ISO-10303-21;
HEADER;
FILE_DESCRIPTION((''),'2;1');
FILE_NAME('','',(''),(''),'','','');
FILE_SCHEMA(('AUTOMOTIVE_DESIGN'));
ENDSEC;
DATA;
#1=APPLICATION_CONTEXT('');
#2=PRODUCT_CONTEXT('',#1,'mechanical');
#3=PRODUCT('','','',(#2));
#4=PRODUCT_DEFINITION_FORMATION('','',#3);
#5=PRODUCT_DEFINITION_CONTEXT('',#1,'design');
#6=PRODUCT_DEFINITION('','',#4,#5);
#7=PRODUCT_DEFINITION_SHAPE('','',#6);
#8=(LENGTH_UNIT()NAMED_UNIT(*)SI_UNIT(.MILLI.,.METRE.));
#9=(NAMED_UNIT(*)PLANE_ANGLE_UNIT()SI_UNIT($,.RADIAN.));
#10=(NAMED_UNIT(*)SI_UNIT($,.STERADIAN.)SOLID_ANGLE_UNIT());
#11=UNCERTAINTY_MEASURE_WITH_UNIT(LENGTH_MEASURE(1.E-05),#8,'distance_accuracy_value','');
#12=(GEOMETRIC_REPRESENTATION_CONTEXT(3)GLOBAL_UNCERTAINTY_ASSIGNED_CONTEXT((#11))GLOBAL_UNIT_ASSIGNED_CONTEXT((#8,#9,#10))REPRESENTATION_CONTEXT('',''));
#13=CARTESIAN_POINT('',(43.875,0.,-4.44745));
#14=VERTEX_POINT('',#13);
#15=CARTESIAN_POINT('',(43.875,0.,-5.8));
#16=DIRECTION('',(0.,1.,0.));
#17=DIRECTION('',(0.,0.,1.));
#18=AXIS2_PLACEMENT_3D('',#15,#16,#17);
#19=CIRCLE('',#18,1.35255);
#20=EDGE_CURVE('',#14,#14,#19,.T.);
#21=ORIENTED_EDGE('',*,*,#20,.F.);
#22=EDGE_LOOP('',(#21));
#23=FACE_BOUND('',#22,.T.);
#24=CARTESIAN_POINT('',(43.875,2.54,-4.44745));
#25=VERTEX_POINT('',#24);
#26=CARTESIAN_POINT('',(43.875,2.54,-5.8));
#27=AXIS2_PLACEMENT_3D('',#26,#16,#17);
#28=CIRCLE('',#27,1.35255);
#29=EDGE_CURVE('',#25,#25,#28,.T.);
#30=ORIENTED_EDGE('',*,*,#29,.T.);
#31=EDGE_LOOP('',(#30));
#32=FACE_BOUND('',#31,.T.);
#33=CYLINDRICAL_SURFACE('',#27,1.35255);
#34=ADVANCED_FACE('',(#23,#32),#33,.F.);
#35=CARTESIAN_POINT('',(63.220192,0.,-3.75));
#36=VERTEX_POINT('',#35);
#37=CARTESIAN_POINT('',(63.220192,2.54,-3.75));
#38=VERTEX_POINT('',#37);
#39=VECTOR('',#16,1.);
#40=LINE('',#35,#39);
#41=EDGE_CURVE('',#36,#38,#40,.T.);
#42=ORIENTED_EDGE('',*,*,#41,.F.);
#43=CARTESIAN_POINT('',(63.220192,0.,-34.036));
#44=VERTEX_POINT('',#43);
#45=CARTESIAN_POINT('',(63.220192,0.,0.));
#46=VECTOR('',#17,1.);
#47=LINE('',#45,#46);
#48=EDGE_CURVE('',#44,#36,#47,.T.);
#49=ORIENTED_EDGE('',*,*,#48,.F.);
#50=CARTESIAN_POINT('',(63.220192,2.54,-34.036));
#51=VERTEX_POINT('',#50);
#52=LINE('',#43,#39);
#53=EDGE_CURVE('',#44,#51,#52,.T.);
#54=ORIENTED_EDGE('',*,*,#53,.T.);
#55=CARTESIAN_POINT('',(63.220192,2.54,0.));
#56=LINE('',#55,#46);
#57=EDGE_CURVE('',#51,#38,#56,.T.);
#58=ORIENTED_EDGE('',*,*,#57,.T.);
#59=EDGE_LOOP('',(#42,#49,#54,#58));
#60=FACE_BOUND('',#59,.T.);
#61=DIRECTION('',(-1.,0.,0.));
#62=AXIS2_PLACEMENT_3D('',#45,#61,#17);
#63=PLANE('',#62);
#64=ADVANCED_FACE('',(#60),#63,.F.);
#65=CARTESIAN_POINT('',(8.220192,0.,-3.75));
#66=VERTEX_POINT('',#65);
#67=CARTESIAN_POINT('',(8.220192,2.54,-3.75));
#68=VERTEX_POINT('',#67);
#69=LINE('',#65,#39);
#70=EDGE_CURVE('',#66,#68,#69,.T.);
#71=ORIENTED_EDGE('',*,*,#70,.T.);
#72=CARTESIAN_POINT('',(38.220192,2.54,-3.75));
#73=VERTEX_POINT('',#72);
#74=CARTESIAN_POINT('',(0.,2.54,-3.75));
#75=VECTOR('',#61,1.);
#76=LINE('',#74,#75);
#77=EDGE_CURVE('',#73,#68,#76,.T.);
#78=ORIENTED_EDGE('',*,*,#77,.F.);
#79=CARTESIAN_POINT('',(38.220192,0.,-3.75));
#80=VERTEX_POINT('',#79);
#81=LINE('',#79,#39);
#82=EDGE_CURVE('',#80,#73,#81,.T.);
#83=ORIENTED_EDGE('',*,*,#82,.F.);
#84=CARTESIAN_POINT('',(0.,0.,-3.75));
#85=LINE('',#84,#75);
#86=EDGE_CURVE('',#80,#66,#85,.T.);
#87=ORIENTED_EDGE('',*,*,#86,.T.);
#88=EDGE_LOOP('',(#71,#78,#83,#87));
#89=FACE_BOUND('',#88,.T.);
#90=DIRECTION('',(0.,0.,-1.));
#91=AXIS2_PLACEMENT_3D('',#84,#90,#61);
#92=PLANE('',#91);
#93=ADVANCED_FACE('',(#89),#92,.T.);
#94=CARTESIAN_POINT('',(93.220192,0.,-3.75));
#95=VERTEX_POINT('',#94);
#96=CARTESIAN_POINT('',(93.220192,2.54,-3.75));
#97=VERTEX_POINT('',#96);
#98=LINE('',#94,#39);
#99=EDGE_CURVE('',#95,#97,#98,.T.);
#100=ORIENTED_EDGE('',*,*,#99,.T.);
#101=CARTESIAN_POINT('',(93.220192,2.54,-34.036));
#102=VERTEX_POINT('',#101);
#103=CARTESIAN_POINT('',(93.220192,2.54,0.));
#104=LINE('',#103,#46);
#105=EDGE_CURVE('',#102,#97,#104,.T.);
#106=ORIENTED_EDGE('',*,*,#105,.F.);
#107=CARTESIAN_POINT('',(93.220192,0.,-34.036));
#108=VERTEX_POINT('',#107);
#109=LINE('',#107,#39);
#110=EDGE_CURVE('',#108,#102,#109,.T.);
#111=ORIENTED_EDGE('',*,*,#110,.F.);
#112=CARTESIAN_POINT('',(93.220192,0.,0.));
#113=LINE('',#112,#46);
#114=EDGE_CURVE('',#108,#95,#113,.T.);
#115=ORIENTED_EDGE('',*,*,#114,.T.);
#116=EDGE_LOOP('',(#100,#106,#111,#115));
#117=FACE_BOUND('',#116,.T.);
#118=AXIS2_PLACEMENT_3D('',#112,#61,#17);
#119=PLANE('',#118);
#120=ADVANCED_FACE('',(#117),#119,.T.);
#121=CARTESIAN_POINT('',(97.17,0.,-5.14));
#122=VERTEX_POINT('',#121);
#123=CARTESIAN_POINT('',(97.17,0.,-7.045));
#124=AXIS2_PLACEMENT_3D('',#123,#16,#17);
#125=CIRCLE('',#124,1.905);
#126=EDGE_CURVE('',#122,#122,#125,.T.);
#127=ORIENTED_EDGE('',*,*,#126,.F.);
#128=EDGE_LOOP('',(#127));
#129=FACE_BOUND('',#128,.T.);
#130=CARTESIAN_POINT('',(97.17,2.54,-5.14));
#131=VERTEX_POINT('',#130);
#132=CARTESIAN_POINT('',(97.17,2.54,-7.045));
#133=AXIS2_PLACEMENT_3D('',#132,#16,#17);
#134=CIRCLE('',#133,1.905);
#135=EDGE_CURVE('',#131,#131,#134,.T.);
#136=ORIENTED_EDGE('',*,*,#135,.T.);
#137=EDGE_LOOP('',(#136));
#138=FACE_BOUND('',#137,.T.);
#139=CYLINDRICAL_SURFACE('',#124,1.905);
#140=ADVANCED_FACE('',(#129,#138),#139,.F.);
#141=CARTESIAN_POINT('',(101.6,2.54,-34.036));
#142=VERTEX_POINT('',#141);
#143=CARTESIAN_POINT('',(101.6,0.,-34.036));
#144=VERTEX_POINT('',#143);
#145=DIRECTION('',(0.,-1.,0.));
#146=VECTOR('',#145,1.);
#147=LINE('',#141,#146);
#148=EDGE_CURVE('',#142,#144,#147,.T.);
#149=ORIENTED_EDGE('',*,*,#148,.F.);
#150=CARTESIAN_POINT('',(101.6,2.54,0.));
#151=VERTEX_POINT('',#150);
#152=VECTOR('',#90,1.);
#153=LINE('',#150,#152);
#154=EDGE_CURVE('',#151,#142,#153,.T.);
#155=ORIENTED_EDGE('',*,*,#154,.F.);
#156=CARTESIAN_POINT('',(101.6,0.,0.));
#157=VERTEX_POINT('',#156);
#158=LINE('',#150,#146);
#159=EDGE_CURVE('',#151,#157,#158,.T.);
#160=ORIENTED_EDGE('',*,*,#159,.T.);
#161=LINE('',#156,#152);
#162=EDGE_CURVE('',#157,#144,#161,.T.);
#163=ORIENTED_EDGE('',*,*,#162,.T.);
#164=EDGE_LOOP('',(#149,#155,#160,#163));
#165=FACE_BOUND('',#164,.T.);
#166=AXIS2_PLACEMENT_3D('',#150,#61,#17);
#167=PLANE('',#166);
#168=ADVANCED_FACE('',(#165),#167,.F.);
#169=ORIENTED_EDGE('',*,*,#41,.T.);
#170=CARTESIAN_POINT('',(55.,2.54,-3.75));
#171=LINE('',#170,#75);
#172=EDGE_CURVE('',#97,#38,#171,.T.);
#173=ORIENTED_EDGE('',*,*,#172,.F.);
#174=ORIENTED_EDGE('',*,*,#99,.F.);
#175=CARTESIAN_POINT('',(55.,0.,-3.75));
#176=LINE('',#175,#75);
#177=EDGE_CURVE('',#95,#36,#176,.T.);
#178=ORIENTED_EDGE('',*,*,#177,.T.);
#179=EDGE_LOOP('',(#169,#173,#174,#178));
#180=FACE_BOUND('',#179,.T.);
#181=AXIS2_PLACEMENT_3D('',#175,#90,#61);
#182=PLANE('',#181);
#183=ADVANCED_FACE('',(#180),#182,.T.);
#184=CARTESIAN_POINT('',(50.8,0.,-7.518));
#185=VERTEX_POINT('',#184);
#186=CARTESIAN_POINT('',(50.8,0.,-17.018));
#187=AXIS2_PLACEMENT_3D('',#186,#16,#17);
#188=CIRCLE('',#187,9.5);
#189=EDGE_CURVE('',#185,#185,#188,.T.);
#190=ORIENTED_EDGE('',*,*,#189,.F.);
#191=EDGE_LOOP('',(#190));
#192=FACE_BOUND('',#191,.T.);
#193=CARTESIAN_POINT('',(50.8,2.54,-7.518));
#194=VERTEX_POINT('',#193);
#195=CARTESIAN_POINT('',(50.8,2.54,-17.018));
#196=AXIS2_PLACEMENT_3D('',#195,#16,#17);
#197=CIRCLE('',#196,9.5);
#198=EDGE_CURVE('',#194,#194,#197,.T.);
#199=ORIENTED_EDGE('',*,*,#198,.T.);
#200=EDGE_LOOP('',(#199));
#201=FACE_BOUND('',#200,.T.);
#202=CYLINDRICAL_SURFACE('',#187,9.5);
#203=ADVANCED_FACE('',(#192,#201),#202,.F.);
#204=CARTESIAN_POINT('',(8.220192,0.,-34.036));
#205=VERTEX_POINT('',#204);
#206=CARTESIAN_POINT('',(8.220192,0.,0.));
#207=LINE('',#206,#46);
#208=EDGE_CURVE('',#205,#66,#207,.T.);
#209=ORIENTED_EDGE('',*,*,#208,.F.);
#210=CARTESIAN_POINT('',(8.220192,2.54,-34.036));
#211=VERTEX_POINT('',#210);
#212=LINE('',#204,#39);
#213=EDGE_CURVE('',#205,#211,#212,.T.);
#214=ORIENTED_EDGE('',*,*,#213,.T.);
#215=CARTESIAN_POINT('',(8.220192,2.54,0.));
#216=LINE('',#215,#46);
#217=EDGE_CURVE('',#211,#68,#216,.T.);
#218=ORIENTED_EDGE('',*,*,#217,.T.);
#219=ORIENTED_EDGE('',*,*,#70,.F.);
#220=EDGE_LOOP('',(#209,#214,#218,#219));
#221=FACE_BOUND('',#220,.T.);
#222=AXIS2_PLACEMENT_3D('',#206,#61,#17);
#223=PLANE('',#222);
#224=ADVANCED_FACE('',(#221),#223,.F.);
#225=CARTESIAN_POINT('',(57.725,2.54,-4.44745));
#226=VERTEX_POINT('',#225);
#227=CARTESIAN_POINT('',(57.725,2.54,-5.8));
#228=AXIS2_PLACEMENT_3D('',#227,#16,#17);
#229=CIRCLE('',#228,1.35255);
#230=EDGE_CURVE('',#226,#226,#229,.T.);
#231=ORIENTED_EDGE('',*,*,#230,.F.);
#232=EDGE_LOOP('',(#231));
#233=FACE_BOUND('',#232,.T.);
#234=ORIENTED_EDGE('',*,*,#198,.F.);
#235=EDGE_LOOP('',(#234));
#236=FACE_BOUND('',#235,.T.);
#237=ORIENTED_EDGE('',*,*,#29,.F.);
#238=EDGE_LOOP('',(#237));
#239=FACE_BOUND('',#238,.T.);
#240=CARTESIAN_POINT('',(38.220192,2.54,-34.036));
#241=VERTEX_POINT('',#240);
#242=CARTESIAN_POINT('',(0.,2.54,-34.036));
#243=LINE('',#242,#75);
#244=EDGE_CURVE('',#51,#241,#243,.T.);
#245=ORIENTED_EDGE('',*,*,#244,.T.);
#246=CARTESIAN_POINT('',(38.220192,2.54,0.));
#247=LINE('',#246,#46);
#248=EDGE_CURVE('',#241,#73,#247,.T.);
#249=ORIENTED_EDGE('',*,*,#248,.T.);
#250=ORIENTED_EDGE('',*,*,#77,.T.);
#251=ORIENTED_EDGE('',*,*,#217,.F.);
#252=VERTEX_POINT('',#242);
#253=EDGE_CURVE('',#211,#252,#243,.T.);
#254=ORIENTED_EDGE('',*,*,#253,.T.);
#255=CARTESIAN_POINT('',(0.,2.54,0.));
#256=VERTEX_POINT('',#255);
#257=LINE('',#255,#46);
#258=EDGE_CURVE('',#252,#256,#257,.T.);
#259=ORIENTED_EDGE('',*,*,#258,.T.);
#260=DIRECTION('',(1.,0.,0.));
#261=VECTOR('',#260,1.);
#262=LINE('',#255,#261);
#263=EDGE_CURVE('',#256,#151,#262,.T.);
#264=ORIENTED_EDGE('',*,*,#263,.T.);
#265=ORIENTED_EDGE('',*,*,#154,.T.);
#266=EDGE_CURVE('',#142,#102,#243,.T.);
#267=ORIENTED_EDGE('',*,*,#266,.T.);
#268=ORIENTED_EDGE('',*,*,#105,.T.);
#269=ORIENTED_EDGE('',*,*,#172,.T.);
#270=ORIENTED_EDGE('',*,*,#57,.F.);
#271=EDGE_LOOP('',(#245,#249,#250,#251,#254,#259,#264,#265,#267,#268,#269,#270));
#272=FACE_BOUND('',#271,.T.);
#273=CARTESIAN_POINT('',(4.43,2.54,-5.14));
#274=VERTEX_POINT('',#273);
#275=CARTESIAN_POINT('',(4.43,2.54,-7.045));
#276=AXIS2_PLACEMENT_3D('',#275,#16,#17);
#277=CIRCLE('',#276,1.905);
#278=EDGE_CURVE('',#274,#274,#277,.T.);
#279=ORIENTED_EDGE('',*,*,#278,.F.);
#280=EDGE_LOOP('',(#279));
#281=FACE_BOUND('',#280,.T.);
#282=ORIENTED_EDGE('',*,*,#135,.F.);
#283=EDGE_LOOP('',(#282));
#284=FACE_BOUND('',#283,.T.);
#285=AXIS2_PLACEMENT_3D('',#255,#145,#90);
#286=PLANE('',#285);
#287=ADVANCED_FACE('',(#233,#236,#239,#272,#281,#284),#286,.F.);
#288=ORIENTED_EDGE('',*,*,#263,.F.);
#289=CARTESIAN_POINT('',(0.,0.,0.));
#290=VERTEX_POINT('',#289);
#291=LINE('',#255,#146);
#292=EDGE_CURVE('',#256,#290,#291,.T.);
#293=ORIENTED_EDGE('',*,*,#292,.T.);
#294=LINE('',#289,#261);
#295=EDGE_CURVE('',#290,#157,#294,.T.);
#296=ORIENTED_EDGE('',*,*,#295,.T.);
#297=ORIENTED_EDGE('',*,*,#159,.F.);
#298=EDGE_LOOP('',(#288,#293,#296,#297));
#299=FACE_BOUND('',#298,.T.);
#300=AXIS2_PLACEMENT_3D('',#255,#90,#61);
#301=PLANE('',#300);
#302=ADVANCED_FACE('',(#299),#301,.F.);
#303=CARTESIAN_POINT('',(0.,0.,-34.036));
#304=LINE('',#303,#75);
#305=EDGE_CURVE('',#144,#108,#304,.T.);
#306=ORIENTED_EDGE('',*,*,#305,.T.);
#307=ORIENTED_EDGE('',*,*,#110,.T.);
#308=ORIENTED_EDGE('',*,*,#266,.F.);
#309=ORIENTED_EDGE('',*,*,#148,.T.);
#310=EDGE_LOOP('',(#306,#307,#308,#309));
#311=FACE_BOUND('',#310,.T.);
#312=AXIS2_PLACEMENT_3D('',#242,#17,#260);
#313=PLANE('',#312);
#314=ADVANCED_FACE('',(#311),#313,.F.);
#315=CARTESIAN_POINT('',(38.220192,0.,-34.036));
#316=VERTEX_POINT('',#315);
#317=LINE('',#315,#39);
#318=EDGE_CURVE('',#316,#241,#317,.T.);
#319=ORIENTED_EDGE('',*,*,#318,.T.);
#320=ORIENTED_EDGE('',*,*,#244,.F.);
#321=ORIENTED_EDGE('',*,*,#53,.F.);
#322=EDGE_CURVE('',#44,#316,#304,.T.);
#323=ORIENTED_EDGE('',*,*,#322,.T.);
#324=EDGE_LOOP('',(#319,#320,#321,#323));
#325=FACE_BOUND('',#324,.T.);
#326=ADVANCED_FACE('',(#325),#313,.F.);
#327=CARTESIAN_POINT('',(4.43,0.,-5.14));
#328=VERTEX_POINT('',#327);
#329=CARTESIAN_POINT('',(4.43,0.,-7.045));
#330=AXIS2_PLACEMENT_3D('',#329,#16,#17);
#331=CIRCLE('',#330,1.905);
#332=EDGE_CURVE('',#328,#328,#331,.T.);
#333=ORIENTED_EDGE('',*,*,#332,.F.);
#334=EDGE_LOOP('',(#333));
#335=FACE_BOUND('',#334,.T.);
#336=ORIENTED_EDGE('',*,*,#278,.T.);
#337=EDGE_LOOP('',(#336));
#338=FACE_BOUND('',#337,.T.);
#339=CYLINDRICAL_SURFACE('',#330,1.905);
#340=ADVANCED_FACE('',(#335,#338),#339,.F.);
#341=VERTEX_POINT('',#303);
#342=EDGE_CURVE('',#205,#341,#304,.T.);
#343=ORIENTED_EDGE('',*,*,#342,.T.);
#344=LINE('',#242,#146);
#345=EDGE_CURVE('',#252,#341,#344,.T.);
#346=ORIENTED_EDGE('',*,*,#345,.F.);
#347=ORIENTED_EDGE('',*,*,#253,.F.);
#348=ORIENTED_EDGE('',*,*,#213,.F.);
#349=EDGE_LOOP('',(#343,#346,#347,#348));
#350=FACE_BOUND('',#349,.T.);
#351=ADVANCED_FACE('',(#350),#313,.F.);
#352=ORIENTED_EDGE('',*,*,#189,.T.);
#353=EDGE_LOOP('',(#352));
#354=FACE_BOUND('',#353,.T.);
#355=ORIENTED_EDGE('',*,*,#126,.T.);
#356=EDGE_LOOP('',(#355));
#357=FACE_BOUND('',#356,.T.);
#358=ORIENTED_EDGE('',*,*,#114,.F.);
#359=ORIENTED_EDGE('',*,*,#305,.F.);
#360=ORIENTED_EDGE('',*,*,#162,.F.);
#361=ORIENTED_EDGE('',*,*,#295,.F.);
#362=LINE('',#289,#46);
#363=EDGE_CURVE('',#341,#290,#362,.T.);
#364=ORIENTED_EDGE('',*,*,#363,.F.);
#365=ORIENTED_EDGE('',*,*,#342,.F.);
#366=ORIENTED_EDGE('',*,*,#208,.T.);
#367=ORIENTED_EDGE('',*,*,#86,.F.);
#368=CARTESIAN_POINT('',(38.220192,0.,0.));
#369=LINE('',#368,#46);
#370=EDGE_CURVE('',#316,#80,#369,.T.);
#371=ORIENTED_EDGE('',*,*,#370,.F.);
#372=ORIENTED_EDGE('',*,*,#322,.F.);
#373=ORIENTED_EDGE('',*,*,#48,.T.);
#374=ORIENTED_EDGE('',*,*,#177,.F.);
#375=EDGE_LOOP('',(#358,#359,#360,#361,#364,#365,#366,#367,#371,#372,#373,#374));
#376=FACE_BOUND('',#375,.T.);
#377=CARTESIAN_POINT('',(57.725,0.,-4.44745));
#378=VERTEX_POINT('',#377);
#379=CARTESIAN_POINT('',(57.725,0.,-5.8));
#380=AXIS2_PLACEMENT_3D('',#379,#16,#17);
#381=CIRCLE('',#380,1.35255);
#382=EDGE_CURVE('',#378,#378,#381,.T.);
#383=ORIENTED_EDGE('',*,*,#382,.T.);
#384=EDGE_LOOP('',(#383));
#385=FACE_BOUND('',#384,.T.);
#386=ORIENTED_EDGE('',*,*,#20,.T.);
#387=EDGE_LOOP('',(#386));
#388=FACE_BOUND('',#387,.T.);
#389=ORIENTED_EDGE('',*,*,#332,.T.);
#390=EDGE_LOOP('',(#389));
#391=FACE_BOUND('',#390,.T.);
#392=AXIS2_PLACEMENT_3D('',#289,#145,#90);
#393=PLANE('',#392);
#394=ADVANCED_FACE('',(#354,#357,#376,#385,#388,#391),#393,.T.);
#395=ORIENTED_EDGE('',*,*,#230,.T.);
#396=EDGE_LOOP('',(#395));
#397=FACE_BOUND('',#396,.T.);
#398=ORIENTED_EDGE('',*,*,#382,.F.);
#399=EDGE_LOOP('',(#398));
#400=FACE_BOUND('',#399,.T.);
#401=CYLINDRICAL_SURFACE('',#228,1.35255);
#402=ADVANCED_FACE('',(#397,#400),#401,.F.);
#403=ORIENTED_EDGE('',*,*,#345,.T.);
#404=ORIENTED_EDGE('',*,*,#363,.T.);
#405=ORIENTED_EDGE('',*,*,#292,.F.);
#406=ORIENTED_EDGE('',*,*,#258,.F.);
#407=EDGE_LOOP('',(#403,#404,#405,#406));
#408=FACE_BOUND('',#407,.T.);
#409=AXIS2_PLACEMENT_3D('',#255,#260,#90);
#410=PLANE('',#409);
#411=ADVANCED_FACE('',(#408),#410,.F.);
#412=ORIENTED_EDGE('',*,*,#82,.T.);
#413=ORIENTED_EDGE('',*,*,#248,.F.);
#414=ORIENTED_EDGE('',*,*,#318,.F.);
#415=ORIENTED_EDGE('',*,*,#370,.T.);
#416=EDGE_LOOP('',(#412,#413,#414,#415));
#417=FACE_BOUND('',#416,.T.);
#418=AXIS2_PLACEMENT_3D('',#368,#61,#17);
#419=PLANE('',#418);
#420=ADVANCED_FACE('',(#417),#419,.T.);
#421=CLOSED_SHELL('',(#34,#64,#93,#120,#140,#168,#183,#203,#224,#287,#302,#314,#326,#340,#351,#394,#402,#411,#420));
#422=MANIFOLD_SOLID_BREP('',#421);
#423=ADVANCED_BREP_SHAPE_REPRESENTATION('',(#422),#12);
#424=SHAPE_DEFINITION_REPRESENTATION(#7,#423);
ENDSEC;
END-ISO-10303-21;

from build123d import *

# Parameters (mm, degrees)
SKETCH1_W                 = 101.6
SKETCH1_H                 = 34.036
BOSS_EXTRUDE1_DEPTH       = 2.54
CUT_EXTRUDE2_DEPTH        = 2.54
LPATTERN1_COUNT           = 2
LPATTERN1_PITCH           = 55
TAP_DRILL_FOR_6_32_TAP1_D = 2.7051
SKETCH2_R                 = 9.5
CUT_EXTRUDE3_DEPTH        = 2.54
SKETCH11_R                = 1.905
CUT_EXTRUDE5_DEPTH        = 2.54


with BuildPart() as part:
    # Sketch1 → Boss-Extrude1 (new body)
    with BuildSketch(Plane(origin=(0, 0, 0), x_dir=(1, 0, 0), z_dir=(0, 1, 0))):
        with Locations((50.8, 17.018)):
            Rectangle(SKETCH1_W, SKETCH1_H)
    extrude(amount=BOSS_EXTRUDE1_DEPTH)

    # Sketch7 → Cut-Extrude2 (cut)
    with BuildSketch(Plane(origin=(0, 2.54, 0), x_dir=(1, 0, 0), z_dir=(0, 1, 0))):
        Polygon((38.220191954, 3.75), (38.220191954, 18.75), (38.220191954, 34.036), (8.22019201, 34.036), (8.22019201, 3.75), align=None)
    cut_extrude2 = extrude(amount=-CUT_EXTRUDE2_DEPTH, mode=Mode.SUBTRACT)

    # LPattern1: Cut-Extrude2 ×2
    with Locations(*[(i * LPATTERN1_PITCH, 0, 0) for i in range(1, LPATTERN1_COUNT)]):
        add(cut_extrude2, mode=Mode.SUBTRACT)

    # Tap Drill for #6-32 Tap1 (through all)
    with Locations(Plane(origin=(0, 2.54, 0), x_dir=(1, 0, 0), z_dir=(0, 1, 0))):
        with Locations((43.875, 5.800000084), (57.725, 5.8)):
            Hole(TAP_DRILL_FOR_6_32_TAP1_D / 2)

    # Sketch2 → Cut-Extrude3 (cut)
    with BuildSketch(Plane(origin=(0, 2.54, 0), x_dir=(1, 0, 0), z_dir=(0, 1, 0))):
        with Locations(Location((50.8, 17.018, 0), (0, 0, 270))):
            Circle(SKETCH2_R)
    extrude(amount=-CUT_EXTRUDE3_DEPTH, mode=Mode.SUBTRACT)

    # Sketch11 → Cut-Extrude5 (cut)
    with BuildSketch(Plane(origin=(0, 2.54, 0), x_dir=(1, 0, 0), z_dir=(0, 1, 0))):
        with Locations(Location((4.43, 7.045, 0), (0, 0, 270))):
            Circle(SKETCH11_R)
        with Locations(Location((97.17, 7.045, 0), (0, 0, 270))):
            Circle(SKETCH11_R)
    extrude(amount=-CUT_EXTRUDE5_DEPTH, mode=Mode.SUBTRACT)


solid = part.part
